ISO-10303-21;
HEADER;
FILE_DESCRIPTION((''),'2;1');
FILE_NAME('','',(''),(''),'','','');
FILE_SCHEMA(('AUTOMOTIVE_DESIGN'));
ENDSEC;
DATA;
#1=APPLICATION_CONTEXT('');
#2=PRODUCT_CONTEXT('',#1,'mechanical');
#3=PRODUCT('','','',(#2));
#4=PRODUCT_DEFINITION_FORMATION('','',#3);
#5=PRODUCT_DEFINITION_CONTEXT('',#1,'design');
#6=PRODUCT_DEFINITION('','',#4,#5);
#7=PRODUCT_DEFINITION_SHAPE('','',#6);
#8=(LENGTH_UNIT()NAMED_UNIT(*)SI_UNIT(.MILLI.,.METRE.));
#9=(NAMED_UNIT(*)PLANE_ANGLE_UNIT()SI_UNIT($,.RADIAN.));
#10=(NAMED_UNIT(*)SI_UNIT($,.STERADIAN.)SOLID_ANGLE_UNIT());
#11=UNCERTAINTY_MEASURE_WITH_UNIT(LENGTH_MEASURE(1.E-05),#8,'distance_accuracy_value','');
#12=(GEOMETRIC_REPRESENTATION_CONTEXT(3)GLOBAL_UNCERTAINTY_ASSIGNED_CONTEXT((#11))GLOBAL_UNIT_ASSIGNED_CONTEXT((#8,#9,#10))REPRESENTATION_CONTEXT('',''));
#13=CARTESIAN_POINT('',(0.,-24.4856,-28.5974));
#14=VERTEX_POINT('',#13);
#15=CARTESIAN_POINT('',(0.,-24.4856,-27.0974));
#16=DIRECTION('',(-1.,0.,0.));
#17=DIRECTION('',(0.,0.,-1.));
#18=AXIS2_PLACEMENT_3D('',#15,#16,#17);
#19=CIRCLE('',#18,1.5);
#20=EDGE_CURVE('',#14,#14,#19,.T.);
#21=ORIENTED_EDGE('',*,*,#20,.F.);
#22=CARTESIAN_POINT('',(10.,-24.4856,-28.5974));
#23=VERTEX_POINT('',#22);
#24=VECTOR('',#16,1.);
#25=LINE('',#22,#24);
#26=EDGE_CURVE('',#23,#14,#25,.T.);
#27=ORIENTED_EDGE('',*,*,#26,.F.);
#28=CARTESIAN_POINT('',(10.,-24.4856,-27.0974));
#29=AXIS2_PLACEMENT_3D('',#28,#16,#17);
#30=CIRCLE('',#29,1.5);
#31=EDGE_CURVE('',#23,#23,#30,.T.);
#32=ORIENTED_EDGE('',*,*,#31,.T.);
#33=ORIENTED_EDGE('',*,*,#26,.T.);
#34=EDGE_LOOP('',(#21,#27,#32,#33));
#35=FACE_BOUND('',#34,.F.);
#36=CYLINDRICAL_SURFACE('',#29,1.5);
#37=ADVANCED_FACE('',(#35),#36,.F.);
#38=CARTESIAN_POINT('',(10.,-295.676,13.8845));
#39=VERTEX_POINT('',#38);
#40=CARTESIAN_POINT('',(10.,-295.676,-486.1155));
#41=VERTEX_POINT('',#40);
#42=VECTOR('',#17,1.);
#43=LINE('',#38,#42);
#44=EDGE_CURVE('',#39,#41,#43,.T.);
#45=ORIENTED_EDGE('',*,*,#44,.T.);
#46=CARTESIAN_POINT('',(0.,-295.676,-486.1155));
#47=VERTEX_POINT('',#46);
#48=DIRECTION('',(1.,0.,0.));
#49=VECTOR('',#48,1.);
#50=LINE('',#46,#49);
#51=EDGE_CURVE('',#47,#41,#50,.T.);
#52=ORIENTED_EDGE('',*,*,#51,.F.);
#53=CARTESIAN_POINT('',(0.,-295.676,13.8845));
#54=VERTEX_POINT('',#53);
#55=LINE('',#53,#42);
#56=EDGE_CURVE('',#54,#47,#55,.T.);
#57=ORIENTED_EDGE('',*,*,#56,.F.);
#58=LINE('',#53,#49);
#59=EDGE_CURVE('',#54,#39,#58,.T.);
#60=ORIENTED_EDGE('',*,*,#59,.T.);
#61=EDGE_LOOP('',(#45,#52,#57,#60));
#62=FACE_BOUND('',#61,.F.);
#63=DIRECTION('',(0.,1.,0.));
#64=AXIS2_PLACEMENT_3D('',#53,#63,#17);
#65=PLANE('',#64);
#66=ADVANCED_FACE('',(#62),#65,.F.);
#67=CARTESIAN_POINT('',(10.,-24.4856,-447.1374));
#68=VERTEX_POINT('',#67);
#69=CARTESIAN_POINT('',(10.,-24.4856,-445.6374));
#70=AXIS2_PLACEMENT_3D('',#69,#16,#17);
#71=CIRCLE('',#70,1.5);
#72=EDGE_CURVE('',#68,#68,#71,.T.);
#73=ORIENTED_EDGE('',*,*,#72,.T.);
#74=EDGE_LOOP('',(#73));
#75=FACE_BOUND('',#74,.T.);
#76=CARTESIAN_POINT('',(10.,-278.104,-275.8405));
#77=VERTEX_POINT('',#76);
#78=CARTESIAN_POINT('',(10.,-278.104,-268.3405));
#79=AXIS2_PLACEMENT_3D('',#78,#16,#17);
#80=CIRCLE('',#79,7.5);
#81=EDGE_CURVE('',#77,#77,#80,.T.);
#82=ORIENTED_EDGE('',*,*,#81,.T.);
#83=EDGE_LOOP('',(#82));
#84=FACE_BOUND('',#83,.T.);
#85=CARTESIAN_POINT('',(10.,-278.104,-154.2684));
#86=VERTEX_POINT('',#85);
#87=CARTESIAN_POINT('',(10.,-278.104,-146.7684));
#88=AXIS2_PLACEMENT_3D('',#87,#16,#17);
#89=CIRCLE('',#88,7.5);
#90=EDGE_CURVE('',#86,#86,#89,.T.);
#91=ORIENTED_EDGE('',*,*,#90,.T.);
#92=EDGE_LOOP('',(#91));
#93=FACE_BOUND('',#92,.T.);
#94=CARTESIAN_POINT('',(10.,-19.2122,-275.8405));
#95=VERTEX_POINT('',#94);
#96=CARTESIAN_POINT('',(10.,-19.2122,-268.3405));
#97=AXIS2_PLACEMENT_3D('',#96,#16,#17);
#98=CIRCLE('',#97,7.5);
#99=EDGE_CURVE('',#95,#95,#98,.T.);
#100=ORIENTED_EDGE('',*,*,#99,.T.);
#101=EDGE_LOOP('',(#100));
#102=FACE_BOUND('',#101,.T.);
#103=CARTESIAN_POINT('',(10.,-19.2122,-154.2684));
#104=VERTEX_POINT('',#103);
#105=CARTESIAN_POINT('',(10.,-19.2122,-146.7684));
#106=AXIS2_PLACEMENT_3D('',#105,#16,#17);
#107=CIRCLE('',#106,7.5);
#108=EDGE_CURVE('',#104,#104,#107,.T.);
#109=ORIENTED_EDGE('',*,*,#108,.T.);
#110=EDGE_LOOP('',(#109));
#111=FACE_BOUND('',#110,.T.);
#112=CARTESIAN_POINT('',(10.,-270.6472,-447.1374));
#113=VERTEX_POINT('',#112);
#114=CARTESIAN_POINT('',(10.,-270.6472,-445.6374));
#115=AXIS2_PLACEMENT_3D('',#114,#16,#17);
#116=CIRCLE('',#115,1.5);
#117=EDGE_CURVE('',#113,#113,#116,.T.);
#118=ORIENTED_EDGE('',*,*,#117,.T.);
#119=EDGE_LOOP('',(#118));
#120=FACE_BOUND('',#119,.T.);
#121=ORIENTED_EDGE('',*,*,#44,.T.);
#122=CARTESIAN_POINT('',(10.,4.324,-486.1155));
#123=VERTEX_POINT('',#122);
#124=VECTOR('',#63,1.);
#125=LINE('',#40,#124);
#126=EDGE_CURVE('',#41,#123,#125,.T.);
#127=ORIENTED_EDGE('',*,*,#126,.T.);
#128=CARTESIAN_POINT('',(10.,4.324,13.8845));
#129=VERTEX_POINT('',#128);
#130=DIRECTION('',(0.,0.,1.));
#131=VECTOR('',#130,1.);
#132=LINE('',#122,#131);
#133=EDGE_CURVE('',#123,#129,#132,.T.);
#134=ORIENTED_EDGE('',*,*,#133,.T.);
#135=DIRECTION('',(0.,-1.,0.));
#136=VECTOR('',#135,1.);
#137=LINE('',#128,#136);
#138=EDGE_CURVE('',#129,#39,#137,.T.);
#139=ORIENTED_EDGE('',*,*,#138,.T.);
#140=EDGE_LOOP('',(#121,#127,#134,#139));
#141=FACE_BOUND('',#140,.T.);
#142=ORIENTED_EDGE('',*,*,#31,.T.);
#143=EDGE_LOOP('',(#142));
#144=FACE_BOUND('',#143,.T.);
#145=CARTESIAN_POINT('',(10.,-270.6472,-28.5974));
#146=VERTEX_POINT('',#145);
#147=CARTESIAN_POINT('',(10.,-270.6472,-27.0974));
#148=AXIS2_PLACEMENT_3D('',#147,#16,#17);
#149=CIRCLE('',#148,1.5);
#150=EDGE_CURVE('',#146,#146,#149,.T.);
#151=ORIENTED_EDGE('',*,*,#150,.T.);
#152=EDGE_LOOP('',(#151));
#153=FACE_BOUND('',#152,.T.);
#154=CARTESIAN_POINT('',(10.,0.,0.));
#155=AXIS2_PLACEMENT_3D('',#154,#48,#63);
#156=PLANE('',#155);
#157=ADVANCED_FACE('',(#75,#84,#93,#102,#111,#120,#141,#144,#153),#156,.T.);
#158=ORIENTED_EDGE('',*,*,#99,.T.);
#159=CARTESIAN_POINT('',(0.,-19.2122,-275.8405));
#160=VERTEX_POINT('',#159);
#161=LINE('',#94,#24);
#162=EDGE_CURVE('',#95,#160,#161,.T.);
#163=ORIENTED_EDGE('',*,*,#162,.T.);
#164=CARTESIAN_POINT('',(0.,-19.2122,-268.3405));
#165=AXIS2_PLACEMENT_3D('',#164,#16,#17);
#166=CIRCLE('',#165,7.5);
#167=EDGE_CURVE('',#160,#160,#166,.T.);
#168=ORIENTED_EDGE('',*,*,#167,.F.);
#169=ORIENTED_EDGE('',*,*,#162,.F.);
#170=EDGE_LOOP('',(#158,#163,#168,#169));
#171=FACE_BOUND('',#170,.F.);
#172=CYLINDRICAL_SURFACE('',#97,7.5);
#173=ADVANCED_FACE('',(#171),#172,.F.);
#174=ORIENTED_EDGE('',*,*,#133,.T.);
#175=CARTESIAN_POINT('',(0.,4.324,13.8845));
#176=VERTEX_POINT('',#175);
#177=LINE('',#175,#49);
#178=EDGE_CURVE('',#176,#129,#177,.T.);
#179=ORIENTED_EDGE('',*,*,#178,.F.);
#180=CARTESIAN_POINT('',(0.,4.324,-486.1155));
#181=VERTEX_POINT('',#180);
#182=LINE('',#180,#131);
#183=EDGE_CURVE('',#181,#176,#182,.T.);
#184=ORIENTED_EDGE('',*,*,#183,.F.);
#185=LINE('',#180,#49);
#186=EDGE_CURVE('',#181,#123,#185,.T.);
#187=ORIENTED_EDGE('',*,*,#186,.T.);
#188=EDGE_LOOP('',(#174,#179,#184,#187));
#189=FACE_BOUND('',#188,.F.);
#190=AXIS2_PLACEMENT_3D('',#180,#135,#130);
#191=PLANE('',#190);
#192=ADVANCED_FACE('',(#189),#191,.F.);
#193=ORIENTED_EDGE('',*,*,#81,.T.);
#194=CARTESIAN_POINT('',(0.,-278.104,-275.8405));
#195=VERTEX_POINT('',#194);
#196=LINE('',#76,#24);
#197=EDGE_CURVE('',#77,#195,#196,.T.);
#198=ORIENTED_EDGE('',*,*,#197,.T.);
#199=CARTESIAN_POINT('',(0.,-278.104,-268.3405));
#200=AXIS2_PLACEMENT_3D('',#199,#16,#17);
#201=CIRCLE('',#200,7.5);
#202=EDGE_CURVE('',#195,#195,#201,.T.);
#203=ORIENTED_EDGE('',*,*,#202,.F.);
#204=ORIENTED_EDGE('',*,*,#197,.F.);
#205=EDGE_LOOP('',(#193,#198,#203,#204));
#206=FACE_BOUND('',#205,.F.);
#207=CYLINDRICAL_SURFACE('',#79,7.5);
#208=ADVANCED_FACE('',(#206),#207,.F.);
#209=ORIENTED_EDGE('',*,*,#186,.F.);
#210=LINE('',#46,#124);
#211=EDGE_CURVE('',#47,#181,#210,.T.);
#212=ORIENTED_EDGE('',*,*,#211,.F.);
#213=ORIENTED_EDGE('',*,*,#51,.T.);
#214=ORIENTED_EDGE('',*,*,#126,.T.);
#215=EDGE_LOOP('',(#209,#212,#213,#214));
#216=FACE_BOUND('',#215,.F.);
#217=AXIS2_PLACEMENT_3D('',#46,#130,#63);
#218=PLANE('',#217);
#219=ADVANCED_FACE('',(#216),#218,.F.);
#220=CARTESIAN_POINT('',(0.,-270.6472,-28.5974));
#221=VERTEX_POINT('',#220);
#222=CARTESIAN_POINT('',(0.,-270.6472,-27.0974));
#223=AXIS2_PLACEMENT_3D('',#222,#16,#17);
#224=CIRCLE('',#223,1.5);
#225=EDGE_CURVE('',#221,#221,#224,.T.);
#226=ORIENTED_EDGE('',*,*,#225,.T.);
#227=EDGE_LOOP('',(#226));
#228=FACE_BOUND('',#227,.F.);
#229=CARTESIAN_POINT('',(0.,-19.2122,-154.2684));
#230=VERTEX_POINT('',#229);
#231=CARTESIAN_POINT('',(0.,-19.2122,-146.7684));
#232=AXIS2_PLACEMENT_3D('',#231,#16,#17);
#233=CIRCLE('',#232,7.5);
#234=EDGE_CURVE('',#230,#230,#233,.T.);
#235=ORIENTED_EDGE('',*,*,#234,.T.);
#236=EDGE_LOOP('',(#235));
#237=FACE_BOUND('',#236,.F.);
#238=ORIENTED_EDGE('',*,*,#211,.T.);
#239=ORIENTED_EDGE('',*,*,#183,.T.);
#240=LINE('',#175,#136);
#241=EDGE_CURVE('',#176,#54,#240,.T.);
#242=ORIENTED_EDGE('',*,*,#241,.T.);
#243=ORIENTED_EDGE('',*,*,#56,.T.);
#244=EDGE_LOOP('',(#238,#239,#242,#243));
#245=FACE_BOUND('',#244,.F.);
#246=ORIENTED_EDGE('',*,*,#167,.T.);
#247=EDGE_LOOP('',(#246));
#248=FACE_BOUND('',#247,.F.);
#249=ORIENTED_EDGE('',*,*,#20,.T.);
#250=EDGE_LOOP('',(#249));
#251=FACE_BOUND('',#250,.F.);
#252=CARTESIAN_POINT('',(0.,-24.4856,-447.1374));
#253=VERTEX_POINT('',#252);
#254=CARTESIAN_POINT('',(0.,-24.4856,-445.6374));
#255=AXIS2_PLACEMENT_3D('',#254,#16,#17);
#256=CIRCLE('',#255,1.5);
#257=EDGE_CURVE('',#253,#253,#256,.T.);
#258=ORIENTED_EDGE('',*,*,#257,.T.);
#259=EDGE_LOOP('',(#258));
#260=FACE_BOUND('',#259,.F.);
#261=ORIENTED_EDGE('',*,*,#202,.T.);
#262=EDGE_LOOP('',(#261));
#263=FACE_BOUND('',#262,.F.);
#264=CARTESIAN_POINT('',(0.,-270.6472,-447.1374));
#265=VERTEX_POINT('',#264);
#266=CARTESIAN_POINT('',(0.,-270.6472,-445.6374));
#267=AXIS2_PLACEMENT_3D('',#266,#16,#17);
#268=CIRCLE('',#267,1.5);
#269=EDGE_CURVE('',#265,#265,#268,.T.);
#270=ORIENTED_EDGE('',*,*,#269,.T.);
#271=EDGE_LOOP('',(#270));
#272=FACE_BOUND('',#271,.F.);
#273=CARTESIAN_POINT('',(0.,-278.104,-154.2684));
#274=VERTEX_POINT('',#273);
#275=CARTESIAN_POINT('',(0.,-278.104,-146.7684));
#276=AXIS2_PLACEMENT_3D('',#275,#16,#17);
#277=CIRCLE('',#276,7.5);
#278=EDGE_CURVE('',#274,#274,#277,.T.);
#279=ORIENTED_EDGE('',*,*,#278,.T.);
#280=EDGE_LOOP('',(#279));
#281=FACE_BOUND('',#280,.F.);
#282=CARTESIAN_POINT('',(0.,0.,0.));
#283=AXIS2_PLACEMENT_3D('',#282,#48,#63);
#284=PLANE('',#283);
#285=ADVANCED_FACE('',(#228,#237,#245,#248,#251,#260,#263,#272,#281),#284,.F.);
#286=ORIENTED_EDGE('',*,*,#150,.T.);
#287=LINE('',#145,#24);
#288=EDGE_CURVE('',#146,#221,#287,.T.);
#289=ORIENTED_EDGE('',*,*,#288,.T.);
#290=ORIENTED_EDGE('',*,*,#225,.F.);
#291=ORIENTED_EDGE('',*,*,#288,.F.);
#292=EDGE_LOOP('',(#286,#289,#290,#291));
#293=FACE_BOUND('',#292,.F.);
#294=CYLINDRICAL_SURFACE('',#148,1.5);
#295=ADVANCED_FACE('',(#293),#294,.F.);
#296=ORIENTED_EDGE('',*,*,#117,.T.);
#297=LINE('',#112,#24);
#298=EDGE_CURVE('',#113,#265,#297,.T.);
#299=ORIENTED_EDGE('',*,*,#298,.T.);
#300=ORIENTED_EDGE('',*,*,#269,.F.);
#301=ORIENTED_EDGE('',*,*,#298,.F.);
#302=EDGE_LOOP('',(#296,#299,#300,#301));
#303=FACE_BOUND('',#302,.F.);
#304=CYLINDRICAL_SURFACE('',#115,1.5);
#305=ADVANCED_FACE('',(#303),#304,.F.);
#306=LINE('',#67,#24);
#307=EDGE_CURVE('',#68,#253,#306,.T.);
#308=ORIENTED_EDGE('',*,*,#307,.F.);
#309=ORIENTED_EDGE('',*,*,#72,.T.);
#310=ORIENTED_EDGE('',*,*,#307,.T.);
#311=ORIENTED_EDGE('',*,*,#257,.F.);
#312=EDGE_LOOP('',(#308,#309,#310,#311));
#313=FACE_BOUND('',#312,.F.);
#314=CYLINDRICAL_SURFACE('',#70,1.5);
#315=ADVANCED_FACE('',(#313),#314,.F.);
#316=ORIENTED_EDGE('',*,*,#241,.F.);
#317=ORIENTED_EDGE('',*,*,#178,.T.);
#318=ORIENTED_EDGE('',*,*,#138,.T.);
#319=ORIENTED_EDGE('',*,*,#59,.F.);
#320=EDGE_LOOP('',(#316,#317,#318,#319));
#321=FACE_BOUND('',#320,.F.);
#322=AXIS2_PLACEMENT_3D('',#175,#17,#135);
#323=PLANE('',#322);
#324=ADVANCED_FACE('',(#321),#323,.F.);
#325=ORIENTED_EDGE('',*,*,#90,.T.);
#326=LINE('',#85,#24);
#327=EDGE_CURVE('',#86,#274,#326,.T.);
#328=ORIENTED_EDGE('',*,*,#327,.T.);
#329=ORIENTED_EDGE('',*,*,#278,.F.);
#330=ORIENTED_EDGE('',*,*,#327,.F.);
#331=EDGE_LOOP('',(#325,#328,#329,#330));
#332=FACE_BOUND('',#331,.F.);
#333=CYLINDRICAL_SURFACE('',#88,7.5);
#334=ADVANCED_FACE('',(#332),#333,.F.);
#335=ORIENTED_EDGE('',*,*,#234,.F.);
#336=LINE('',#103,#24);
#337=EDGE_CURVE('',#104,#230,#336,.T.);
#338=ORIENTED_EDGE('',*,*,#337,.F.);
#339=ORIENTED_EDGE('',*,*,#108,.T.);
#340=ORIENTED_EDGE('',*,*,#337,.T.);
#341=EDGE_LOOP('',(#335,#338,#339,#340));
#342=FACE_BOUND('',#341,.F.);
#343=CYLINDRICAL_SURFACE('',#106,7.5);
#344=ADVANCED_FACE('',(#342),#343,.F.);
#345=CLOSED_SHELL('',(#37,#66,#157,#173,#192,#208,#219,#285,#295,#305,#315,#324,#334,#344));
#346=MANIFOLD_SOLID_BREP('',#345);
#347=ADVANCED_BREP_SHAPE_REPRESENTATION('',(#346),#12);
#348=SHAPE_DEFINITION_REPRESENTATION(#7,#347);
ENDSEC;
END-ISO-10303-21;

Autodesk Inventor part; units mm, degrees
ref_plane "YZ Plane" through (0, 0, 0) normal (1, 0, 0) x (0, 1, 0)
ref_plane "XZ Plane" through (0, 0, 0) normal (0, 1, 0) x (-1, 0, 0)
ref_plane "XY Plane" through (0, 0, 0) normal (0, 0, 1) x (1, 0, 0)
sketch "Sketch1" plane through (0, 0, 0) normal (1, 0, 0) x (0, 1, 0)
  line L0 (4.324, 13.8845) -> (-295.676, 13.8845)
  line L1 (-295.676, 13.8845) -> (-295.676, -486.1155)
  line L2 (-295.676, -486.1155) -> (4.324, -486.1155)
  line L3 (4.324, -486.1155) -> (4.324, 13.8845)
  point P0 (0, 0)
  dimension "d0" = 300
  dimension "d1" = 500
extrude "Extrusion1" add sketch "Sketch1" along normal blind 10
sketch "Sketch2" plane through (10, 0, 0) normal (1, 0, 0) x (0, 0, -1)
  line L0 (27.0974, -24.4856) -> (445.6374, -24.4856)
  line L1 (445.6374, -24.4856) -> (445.6374, -270.6472)
  line L2 (445.6374, -270.6472) -> (27.0974, -270.6472)
  line L3 (27.0974, -270.6472) -> (27.0974, -24.4856)
  point P0 (0, 0)
hole "Hole1" at (10, -24.4856, -27.0974) at (10, -24.4856, -445.6374) at (10, -270.6472, -445.6374) at (10, -270.6472, -27.0974) direction (-1, 0, 0) diameter 3 end through all
sketch "Sketch4" plane through (10, 0, 0) normal (1, 0, 0) x (0, 0, -1)
  point P0 (0, 0)
sketch "Sketch9" plane through (10, 0, 0) normal (1, 0, 0) x (0, 0, -1)
  circle A0 centre (146.7684, -19.2122) radius 7.5 projected
  line L0 (146.7684, -19.2122) -> (268.3405, -19.2122)
  line L1 (268.3405, -19.2122) -> (268.3405, -278.104)
  line L2 (268.3405, -278.104) -> (146.7684, -278.104)
  line L3 (146.7684, -278.104) -> (146.7684, -19.2122)
  point P0 (0, 0)
hole "Hole7" at (10, -19.2122, -146.7684) at (10, -19.2122, -268.3405) at (10, -278.104, -146.7684) at (10, -278.104, -268.3405) direction (-1, 0, 0) diameter 15 end through all
properties part number "exp base 1"
